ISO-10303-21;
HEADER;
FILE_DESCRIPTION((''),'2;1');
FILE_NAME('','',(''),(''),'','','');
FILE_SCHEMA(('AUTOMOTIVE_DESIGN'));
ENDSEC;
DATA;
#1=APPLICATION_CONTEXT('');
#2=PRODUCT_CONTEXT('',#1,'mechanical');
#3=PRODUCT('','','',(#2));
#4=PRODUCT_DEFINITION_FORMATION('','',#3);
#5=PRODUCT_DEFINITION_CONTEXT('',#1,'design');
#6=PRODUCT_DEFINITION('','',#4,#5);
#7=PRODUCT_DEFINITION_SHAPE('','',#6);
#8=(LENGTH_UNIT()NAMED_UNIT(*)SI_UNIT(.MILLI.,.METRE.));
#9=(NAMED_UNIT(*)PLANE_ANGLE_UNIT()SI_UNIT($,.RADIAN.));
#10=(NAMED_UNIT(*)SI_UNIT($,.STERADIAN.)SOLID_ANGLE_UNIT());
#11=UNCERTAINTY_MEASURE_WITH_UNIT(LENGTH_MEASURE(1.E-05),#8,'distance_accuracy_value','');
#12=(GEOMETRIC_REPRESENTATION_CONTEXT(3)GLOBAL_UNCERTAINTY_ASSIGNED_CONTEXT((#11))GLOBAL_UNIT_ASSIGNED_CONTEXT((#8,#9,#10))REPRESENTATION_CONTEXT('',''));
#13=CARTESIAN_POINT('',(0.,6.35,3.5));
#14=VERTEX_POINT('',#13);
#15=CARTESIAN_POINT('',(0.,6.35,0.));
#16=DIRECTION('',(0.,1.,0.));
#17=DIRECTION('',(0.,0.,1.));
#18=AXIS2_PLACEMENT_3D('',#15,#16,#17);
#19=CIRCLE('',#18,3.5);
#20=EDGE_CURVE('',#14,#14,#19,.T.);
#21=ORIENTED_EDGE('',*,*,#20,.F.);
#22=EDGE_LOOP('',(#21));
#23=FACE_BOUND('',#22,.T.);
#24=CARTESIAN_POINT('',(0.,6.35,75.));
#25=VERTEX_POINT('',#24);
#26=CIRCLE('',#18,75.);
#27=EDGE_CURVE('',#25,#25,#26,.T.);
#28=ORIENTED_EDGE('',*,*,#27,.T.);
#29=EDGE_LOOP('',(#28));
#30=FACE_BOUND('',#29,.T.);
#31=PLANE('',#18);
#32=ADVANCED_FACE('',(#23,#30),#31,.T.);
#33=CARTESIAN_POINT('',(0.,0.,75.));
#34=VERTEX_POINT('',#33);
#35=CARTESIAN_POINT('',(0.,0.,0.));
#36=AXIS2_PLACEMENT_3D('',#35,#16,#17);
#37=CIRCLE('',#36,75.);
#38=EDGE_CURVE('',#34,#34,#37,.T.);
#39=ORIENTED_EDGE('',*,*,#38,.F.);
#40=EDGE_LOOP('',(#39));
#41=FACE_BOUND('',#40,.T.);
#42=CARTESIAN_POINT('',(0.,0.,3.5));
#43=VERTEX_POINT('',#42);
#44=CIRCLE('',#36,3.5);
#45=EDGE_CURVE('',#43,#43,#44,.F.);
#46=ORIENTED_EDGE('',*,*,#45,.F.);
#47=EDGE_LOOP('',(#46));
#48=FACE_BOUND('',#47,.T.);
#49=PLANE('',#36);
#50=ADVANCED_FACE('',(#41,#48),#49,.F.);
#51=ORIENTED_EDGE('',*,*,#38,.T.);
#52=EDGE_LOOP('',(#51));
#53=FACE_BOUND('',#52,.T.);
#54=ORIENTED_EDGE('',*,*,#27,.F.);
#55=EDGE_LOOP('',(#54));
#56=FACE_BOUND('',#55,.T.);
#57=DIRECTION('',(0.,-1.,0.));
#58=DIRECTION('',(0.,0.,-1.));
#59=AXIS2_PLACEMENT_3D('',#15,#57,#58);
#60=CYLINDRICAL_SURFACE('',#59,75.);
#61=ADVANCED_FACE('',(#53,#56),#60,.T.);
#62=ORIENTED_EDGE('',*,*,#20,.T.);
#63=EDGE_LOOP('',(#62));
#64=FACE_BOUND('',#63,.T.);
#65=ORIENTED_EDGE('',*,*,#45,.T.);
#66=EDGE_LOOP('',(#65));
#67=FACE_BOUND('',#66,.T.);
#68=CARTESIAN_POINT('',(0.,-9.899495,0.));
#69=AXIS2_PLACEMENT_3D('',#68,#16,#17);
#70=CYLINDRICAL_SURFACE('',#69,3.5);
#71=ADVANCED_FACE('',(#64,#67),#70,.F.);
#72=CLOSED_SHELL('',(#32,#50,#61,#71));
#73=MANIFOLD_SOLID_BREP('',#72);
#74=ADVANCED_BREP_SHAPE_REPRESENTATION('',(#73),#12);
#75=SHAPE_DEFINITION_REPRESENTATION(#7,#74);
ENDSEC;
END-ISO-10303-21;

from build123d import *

# Parameters (mm, degrees)
ESQUISSE1_R             = 75
BOSS_EXTRU_1_DEPTH      = 6.35
ESQUISSE2_R             = 3.5
ENL_V_MAT_EXTRU_1_DEPTH = 6.35


with BuildPart() as part:
    # Esquisse1 → Boss.-Extru.1 (new body)
    with BuildSketch(Plane(origin=(0, 0, 0), x_dir=(1, 0, 0), z_dir=(0, 1, 0))):
        with Locations(Location((0, 0, 0), (0, 0, 270))):
            Circle(ESQUISSE1_R)
    extrude(amount=BOSS_EXTRU_1_DEPTH)

    # Esquisse2 → Enlèv. mat.-Extru.1 (cut)
    with BuildSketch(Plane(origin=(0, 6.35, 0), x_dir=(1, 0, 0), z_dir=(0, 1, 0))):
        with Locations(Location((0, 0, 0), (0, 0, 270))):
            Circle(ESQUISSE2_R)
    extrude(amount=-ENL_V_MAT_EXTRU_1_DEPTH, mode=Mode.SUBTRACT)


solid = part.part
